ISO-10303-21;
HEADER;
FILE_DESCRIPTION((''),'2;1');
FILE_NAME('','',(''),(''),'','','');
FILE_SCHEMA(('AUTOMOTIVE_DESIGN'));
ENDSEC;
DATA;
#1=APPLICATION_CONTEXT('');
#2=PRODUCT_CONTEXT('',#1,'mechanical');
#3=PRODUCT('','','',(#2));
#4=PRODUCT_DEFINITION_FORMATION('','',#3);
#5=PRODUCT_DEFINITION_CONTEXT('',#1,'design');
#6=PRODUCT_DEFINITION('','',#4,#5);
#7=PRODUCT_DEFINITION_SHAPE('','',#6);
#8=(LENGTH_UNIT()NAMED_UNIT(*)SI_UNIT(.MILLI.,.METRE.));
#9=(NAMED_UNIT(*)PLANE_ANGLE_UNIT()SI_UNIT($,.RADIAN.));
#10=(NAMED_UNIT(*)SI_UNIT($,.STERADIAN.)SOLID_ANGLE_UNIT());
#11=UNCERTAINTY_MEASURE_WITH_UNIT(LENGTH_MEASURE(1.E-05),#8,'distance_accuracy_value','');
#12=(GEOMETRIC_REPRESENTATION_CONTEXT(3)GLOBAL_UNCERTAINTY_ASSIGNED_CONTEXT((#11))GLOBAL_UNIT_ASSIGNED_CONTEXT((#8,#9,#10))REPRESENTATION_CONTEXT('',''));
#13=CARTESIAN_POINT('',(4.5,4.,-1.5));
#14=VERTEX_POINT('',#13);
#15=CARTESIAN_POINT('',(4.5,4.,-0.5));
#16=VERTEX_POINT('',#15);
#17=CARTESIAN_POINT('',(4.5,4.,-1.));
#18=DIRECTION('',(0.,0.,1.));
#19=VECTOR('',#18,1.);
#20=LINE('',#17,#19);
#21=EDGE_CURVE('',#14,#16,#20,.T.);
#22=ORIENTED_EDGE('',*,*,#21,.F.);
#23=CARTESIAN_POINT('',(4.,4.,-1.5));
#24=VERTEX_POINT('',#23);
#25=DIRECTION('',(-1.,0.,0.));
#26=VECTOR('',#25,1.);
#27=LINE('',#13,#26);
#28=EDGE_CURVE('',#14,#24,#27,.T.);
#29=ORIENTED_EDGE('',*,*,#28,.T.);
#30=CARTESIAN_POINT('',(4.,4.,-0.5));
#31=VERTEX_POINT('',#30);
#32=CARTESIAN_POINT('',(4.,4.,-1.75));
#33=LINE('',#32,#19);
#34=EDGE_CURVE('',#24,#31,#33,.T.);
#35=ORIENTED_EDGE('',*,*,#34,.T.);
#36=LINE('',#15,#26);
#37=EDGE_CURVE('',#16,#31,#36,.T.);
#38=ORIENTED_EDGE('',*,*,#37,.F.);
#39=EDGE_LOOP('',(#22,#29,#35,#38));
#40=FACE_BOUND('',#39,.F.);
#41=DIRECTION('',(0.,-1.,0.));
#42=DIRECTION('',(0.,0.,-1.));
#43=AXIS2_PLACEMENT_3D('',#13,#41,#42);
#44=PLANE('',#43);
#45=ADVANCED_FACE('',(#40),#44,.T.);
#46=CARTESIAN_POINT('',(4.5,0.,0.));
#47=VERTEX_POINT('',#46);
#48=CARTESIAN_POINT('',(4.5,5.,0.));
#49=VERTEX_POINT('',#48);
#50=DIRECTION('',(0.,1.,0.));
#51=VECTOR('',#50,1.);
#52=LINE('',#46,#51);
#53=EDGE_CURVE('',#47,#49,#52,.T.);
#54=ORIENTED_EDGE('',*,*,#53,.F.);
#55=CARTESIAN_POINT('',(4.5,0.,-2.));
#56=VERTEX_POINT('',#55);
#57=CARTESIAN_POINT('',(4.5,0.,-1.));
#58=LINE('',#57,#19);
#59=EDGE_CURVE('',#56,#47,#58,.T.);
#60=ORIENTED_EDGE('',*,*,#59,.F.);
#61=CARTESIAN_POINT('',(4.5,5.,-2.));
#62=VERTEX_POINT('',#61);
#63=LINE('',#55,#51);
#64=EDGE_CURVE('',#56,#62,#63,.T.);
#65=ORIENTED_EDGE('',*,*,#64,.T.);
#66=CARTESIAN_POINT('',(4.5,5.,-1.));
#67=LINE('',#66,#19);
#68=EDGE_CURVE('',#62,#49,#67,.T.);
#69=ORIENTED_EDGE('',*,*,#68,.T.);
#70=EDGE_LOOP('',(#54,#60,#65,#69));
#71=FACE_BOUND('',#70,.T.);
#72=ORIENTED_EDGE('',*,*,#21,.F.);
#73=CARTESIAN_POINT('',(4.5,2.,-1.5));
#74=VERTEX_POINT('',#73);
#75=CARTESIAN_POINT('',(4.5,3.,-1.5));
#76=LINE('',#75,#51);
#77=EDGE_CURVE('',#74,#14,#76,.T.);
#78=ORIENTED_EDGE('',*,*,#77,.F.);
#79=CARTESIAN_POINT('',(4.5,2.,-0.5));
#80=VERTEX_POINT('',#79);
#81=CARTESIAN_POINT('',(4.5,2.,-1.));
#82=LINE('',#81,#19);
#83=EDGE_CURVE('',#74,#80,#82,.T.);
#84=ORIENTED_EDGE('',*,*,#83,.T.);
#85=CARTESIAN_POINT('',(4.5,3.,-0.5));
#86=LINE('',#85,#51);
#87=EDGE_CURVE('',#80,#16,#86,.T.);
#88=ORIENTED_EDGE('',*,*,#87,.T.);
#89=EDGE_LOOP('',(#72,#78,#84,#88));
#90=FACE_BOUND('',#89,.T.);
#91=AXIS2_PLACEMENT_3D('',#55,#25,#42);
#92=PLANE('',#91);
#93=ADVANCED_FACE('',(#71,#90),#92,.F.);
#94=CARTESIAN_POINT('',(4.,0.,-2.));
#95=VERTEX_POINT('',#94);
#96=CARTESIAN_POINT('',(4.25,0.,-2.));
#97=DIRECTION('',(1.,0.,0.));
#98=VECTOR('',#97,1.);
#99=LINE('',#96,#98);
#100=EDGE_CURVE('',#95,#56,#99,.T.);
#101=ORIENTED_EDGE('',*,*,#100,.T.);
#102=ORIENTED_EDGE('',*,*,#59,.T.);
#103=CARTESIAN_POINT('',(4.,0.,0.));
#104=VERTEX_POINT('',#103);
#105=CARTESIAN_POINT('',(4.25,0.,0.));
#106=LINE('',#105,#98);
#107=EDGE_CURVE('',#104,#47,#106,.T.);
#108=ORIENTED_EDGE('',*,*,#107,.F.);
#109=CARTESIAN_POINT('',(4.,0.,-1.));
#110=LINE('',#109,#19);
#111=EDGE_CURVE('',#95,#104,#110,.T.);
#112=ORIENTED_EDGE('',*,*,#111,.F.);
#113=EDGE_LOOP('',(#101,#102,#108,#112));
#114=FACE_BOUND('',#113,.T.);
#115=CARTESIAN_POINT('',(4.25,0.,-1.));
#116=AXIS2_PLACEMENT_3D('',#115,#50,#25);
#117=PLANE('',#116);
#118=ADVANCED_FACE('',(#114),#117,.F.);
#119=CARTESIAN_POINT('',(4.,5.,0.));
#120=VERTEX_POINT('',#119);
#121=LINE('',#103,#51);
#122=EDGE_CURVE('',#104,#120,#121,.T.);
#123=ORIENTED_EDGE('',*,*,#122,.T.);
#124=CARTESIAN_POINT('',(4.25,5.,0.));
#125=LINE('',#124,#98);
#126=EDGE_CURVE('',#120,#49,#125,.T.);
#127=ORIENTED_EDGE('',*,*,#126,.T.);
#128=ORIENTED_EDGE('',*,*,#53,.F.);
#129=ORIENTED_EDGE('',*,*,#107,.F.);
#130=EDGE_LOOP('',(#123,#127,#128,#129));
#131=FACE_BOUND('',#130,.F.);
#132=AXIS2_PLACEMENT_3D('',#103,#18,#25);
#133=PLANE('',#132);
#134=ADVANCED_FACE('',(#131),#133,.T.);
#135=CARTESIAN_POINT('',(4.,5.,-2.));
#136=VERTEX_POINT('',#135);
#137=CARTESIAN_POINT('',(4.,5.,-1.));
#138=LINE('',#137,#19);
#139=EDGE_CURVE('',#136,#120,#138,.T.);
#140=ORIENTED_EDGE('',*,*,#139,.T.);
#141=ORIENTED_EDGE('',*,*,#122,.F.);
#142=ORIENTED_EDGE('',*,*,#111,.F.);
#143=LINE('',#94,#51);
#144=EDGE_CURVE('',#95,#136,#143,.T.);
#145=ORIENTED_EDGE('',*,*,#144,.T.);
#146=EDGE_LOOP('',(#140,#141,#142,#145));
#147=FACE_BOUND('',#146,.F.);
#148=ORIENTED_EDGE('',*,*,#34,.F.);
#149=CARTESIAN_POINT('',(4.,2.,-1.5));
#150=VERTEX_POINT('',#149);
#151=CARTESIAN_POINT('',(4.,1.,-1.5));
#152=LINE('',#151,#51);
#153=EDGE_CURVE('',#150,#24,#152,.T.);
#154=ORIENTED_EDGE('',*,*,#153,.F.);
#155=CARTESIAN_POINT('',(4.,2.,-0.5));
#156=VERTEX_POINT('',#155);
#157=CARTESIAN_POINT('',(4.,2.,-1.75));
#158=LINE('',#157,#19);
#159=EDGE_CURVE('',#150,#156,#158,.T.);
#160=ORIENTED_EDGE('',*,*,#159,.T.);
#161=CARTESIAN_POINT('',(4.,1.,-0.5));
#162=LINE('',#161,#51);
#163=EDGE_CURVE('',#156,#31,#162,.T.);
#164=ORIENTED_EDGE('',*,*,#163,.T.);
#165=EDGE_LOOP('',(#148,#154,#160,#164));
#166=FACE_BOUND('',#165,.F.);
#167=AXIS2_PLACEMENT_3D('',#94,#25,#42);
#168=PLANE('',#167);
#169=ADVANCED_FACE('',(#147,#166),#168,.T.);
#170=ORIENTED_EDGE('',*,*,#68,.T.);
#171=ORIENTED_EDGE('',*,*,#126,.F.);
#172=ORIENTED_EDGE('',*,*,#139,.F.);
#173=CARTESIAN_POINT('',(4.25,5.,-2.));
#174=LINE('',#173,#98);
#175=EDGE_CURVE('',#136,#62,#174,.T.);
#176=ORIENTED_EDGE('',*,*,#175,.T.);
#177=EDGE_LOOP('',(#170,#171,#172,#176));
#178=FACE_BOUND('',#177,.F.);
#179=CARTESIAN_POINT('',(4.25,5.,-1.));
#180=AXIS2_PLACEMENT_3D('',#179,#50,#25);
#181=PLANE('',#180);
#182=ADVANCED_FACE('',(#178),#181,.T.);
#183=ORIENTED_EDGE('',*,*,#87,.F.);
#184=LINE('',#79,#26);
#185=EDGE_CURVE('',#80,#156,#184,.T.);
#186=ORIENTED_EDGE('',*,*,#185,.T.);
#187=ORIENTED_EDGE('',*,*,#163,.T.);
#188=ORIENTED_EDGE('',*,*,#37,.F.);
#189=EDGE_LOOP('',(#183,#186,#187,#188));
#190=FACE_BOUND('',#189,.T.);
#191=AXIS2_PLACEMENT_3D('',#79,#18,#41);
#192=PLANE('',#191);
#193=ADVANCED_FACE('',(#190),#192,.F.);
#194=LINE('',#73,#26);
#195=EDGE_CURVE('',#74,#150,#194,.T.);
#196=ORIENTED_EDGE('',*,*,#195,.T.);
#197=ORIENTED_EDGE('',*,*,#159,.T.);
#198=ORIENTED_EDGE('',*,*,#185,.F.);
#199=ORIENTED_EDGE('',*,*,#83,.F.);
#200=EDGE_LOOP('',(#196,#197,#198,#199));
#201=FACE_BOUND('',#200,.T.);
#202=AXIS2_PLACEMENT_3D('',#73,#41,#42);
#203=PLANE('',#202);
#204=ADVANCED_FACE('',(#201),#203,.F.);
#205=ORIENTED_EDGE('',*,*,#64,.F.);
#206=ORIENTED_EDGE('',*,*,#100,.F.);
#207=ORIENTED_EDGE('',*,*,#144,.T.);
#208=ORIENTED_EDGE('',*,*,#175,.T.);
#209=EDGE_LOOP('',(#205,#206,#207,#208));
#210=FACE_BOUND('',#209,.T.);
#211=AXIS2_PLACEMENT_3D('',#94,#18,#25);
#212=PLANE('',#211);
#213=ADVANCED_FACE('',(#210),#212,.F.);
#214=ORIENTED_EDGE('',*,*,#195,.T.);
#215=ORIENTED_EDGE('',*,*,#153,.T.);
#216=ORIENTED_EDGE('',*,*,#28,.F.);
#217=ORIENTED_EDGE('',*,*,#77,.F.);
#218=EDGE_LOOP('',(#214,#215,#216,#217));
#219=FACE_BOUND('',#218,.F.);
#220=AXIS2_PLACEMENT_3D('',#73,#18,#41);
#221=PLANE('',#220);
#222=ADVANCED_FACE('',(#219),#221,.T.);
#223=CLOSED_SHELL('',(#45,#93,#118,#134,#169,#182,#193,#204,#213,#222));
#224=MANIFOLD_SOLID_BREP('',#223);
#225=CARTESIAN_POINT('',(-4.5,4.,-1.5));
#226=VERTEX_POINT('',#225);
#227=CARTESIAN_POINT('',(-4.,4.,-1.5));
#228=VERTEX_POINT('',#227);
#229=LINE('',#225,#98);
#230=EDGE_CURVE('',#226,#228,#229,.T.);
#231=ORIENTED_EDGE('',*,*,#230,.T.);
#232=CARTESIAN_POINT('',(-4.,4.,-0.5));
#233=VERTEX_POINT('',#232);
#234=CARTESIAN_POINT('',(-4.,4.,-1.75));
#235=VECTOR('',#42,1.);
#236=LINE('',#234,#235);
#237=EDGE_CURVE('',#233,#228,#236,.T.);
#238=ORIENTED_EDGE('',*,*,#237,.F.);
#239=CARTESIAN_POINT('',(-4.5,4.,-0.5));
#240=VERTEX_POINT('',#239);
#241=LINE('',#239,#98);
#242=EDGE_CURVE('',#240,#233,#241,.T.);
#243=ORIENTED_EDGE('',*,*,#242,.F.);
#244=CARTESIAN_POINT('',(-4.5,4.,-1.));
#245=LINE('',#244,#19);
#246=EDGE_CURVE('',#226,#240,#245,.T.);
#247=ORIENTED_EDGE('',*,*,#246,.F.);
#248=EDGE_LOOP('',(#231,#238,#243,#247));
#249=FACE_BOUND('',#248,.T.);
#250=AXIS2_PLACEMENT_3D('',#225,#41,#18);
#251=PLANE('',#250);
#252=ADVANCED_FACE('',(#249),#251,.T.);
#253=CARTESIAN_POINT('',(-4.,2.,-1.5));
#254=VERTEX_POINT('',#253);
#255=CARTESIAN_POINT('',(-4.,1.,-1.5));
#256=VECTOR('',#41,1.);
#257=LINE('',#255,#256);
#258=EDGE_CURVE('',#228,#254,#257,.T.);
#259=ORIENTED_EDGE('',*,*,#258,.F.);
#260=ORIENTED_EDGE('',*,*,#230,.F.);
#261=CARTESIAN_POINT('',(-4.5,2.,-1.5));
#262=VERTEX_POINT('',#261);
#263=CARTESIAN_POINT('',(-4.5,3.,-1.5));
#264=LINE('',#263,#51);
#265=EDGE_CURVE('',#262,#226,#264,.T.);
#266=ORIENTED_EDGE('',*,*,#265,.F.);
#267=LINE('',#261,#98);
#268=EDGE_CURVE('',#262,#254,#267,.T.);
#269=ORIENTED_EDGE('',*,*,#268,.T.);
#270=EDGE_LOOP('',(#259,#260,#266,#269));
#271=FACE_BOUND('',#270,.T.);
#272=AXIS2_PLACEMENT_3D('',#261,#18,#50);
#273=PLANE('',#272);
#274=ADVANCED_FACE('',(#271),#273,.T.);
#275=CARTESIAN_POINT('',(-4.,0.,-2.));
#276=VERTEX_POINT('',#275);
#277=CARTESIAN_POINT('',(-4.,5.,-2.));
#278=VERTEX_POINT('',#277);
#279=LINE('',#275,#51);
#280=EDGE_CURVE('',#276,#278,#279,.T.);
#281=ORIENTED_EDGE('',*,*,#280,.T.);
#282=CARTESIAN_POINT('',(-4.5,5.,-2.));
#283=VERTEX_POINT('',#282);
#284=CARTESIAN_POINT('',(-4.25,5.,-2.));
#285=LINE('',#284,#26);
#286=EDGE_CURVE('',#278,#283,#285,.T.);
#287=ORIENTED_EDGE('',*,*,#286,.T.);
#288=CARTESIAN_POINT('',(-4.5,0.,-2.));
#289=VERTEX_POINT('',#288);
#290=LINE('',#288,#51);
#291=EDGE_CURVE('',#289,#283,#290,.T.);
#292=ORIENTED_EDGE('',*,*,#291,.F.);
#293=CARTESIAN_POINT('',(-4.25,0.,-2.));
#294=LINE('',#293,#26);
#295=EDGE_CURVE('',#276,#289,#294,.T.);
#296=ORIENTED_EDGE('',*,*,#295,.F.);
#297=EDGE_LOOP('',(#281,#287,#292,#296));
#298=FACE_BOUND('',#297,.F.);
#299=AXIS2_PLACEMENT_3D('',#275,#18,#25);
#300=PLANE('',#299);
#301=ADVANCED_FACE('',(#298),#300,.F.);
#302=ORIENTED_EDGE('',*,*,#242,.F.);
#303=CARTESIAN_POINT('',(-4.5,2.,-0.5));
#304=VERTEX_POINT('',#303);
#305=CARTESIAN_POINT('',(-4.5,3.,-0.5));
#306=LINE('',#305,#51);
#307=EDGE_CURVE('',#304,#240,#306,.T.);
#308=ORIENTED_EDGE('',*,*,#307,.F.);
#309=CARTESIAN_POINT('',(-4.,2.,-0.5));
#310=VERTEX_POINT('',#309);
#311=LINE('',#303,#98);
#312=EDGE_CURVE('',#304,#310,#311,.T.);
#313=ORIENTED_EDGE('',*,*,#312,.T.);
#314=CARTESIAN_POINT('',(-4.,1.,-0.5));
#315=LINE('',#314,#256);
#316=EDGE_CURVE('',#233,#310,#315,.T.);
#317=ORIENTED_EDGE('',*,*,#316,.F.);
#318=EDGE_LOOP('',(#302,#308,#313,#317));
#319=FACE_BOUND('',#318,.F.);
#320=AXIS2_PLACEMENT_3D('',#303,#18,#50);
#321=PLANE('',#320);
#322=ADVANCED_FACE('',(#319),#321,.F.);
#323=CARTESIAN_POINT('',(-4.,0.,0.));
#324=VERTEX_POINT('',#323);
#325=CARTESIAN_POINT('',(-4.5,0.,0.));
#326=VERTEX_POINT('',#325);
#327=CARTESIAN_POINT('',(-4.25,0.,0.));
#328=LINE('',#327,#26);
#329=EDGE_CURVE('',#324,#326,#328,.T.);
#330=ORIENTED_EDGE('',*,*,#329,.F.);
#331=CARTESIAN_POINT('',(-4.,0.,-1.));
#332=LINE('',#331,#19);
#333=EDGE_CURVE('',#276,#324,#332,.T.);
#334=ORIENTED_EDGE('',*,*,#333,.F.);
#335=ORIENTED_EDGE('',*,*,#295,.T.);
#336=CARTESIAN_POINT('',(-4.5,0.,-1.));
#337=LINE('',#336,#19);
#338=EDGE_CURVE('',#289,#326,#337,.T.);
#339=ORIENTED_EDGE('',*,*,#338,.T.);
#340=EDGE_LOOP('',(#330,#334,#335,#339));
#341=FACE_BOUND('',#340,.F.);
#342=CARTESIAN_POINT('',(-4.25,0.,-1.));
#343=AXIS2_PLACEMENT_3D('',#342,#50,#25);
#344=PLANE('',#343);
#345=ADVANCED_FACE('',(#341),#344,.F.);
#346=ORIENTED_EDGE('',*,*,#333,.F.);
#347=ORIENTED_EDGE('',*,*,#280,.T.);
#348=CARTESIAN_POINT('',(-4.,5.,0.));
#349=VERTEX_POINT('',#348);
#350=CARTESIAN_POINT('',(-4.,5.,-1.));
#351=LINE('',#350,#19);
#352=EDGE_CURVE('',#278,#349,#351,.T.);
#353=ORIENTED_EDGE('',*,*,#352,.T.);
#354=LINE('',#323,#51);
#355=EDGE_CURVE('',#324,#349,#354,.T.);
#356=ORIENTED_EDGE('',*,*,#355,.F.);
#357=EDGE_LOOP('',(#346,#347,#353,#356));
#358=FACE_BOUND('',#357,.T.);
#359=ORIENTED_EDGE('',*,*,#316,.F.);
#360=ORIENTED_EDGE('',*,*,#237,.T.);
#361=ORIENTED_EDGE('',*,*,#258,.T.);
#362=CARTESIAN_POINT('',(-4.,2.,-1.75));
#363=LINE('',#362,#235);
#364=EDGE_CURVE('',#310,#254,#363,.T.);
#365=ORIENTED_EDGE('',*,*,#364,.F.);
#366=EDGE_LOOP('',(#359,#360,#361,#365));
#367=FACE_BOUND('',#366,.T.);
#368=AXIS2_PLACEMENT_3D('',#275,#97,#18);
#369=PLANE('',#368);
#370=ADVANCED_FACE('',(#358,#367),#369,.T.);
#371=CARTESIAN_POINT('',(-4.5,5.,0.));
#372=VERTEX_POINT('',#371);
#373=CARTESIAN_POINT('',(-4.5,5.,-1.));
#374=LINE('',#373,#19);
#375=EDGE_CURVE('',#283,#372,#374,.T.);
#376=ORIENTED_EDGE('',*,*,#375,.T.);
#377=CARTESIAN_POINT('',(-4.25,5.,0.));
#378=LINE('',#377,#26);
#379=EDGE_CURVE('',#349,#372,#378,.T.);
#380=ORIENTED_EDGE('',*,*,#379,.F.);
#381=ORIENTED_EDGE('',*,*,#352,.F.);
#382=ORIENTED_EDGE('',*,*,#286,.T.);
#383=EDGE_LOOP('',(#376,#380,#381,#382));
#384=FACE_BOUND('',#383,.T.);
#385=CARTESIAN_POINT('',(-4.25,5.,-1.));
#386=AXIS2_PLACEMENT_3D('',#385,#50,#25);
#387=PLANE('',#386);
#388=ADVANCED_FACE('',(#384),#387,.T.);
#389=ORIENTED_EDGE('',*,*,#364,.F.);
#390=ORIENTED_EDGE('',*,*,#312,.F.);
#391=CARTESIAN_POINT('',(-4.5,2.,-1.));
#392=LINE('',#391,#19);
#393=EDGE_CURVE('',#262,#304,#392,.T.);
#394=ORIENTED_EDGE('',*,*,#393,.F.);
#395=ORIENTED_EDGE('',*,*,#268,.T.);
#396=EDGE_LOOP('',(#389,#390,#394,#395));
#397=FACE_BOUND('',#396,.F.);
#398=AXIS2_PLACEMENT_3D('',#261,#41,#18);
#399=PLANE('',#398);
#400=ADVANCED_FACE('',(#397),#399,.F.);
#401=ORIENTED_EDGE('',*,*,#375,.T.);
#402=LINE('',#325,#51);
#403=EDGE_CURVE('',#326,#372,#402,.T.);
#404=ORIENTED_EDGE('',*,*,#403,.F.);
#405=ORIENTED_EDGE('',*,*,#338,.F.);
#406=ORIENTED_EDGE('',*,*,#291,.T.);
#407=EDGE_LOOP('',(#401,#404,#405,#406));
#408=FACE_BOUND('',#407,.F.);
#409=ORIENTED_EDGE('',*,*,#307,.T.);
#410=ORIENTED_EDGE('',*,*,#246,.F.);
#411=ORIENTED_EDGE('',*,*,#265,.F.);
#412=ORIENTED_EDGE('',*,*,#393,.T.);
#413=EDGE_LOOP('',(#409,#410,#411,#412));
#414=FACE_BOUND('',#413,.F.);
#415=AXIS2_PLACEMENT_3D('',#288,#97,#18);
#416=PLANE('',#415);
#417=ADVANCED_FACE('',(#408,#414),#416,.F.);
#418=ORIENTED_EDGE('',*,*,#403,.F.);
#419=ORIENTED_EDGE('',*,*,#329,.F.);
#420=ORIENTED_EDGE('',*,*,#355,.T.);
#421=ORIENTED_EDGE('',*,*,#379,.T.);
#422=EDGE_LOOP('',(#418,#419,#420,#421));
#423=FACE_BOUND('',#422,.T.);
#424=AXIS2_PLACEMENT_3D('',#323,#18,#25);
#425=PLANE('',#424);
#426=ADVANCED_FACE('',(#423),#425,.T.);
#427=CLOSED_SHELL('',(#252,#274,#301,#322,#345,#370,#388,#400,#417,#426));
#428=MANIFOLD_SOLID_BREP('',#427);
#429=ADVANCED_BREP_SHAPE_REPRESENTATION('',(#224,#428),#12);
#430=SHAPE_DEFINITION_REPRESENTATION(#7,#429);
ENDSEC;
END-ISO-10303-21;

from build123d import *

# Parameters (mm, degrees)
SKETCH005_W  = 0.5
SKETCH005_H  = 2
PAD002_DEPTH = 5
SKETCH006_W  = 1
SKETCH006_H  = 2
POCKET_DEPTH = 11.317654


with BuildPart() as part:
    # Sketch005 (on Plane of DatumPlane) → Pad002 (new body)
    with BuildSketch(Plane(origin=(0, 0, 0), x_dir=(-1, 0, 0), z_dir=(0, 1, 0))):
        with Locations((4.25, -1)):
            Rectangle(SKETCH005_W, SKETCH005_H)
    pad002 = extrude(amount=PAD002_DEPTH)

    # Sketch006 (on Face2 of Pad002) → Pocket (cut, through all)
    with BuildSketch(Plane.ZY.offset(4.5)):
        with Locations((-1, 3)):
            Rectangle(SKETCH006_W, SKETCH006_H)
    pocket = extrude(amount=-POCKET_DEPTH, mode=Mode.SUBTRACT)

    # Mirrored: Pad002, Pocket across YZ
    add(pad002.mirror(Plane.YZ))
    add(pocket.mirror(Plane.YZ), mode=Mode.SUBTRACT)


solid = part.part
